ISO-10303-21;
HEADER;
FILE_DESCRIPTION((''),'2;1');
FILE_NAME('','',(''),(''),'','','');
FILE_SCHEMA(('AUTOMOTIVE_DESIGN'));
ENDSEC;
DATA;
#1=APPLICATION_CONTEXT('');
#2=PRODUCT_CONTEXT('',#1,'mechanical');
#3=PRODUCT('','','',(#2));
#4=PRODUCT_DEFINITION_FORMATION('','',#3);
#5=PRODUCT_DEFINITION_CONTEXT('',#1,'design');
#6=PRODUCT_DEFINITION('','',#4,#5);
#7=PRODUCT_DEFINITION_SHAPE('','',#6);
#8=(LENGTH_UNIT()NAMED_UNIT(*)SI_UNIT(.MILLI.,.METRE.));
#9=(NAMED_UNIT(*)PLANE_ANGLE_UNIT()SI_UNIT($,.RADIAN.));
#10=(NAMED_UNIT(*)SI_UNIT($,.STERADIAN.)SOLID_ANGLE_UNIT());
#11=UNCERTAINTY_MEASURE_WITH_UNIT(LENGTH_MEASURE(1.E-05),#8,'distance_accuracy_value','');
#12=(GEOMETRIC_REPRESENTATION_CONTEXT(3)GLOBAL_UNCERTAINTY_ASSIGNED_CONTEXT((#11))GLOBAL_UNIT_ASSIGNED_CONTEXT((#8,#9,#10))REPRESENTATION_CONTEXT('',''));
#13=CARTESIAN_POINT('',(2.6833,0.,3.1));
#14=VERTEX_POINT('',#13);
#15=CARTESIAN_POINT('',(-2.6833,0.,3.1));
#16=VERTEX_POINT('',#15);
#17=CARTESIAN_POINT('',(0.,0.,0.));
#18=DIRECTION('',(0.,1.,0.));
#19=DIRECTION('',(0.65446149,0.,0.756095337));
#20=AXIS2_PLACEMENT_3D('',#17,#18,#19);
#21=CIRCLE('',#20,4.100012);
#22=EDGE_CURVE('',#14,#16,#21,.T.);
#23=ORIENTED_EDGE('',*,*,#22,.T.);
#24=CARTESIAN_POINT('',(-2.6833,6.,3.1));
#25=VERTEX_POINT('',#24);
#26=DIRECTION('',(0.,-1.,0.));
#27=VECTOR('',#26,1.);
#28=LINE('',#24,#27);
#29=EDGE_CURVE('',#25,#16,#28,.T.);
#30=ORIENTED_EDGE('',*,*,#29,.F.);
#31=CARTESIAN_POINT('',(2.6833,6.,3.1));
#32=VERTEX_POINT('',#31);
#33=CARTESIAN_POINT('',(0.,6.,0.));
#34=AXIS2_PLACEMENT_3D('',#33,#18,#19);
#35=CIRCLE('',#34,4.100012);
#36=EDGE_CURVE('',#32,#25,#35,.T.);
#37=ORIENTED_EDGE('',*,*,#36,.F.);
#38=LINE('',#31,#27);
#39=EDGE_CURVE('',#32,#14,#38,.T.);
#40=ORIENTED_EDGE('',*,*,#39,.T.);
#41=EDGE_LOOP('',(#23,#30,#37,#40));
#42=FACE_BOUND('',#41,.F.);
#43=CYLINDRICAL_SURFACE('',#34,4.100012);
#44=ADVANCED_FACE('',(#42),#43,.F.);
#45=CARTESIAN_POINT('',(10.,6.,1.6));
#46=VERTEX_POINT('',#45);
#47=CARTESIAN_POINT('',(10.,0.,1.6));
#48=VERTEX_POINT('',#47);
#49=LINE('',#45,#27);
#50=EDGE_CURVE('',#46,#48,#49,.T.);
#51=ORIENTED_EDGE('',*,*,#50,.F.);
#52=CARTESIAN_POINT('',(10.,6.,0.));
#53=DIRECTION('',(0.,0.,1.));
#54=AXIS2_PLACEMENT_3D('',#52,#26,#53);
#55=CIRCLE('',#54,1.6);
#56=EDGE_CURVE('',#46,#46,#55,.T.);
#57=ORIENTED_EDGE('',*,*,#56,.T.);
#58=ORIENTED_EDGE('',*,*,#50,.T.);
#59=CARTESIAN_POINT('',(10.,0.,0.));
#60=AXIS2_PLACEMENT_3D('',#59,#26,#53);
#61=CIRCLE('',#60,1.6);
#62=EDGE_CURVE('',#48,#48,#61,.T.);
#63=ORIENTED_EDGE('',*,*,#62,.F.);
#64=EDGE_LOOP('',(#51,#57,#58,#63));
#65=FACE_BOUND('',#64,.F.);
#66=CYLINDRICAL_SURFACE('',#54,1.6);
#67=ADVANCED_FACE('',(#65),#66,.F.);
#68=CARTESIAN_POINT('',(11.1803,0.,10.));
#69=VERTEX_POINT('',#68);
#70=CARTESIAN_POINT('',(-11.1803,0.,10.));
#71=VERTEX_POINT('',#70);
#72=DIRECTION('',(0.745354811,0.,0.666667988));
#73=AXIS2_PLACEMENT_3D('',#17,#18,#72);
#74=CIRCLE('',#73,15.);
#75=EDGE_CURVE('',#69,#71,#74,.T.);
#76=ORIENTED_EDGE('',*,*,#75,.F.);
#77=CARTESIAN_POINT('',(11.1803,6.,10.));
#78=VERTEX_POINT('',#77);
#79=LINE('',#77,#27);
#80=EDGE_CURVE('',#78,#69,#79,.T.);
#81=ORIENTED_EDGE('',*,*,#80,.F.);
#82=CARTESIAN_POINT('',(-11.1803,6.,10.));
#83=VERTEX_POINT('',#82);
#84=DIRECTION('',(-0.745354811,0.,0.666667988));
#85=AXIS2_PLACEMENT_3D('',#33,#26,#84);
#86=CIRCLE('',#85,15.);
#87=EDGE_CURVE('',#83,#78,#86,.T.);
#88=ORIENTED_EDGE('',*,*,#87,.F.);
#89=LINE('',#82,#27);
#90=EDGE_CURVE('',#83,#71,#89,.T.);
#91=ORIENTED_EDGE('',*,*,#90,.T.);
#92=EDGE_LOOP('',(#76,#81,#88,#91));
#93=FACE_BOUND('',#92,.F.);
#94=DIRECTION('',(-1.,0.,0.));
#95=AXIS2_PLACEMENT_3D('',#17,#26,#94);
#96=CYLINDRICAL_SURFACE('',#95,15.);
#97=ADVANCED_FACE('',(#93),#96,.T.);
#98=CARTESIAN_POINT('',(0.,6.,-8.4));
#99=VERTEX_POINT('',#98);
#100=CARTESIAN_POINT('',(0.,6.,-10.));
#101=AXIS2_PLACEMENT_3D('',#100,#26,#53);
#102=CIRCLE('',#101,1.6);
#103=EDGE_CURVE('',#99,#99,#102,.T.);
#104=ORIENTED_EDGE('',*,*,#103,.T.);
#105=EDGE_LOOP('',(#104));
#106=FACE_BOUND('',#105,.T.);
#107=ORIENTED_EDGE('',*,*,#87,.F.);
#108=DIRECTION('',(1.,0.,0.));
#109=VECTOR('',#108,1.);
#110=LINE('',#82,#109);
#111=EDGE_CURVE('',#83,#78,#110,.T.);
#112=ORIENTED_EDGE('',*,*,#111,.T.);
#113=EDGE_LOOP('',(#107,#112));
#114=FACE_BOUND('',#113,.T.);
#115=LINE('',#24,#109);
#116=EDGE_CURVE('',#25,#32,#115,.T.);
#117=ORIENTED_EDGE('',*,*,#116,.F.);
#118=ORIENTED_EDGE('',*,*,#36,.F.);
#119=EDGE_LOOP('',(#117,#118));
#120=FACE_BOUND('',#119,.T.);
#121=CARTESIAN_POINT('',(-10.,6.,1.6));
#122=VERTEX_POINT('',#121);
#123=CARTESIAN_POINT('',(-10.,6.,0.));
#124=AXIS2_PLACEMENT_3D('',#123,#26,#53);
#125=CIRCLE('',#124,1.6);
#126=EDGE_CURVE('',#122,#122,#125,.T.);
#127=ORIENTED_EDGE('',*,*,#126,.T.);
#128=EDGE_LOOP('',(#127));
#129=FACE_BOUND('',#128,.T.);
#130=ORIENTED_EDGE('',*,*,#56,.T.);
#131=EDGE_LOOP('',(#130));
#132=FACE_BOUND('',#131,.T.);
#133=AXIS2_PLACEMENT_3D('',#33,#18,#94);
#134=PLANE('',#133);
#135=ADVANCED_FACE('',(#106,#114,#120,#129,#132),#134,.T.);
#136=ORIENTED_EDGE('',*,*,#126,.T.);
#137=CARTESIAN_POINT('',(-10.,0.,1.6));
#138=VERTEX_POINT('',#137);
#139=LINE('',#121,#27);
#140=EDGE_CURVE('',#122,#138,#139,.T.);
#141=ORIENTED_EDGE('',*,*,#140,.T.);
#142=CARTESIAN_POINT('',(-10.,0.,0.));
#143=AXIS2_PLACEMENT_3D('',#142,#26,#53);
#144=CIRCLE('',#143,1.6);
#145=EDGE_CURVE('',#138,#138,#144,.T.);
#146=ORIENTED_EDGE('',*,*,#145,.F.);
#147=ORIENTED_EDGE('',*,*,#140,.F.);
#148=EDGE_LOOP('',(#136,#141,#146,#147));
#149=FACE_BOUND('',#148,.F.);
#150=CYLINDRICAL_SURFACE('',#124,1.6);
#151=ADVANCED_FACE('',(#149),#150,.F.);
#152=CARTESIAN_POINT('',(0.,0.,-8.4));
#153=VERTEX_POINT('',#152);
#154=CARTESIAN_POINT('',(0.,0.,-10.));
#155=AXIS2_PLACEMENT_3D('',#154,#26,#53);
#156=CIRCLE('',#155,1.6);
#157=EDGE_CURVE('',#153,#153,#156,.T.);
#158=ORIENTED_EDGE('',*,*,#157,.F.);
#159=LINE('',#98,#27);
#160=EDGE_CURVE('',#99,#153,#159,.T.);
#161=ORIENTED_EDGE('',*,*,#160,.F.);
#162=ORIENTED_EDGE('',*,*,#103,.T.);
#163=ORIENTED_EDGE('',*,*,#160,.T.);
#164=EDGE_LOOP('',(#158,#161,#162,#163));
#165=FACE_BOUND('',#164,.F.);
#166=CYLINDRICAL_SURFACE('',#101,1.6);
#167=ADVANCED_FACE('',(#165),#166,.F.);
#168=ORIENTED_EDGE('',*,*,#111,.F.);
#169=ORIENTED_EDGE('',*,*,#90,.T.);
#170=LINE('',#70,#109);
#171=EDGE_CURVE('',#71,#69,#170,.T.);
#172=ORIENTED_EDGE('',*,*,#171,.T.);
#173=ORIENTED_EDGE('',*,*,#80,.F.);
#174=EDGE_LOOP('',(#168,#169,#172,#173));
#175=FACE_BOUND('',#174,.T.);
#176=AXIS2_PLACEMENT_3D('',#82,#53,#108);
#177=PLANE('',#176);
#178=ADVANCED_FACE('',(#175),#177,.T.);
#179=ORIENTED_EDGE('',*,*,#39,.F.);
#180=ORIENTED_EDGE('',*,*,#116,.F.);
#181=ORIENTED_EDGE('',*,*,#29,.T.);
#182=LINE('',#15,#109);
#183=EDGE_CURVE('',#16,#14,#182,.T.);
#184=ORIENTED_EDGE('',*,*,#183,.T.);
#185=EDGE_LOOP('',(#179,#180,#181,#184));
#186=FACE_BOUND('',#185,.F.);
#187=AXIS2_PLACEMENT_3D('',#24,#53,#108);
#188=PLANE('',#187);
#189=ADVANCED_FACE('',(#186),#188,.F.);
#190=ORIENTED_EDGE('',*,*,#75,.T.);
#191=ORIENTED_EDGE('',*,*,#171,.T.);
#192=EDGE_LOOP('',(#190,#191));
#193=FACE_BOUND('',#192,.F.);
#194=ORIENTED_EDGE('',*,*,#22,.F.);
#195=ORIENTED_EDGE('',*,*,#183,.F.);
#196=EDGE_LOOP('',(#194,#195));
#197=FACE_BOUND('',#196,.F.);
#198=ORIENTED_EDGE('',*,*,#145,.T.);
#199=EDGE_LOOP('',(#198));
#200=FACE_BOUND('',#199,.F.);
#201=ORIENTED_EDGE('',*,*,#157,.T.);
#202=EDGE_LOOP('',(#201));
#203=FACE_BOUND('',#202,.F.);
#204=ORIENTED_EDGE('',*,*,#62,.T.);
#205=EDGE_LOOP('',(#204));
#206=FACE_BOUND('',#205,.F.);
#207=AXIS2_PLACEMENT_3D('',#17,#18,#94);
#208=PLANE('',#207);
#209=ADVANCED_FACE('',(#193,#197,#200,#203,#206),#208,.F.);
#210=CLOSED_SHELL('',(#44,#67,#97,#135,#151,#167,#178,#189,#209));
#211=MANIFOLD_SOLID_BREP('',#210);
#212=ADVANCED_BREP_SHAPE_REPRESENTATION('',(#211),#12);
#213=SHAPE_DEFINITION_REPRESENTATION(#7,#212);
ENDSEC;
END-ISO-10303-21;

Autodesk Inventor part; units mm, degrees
ref_plane "YZ Plane" through (0, 0, 0) normal (1, 0, 0) x (0, 1, 0)
ref_plane "XZ Plane" through (0, 0, 0) normal (0, 1, 0) x (-1, 0, 0)
ref_plane "XY Plane" through (0, 0, 0) normal (0, 0, 1) x (1, 0, 0)
sketch "スケッチ1" plane through (0, 0, 0) normal (0, 1, 0) x (-1, 0, 0)
  circle A0 centre (0, 0) radius 15
  dimension "d0" = 30
extrude "押し出し1" add sketch "スケッチ1" along normal blind 6
sketch "スケッチ2" plane through (0, 6, 0) normal (0, 1, 0) x (1, 0, 0)
  arc A0 (2.6833, -3.1) -> (-2.6833, -3.1) centre (0, 0) ccw
  line L0 (-2.6833, -3.1) -> (2.6833, -3.1)
  point P0 (0, -3.1)
  dimension "d3" = 8.2
  dimension "d4" = 3.1
extrude "押し出し2" cut sketch "スケッチ2" against normal blind 6
sketch "スケッチ3" plane through (0, 6, 0) normal (0, 1, 0) x (1, 0, 0)
  circle A0 centre (0, 0) radius 15 projected
  circle A1 centre (0, 0) radius 15 projected
  line L0 (-11.1803, -10) -> (11.1803, -10)
  arc A2 (-11.1803, -10) -> (11.1803, -10) centre (0, 0) ccw
  point P0 (0, -10)
  dimension "d7" = 10
extrude "押し出し3" cut sketch "スケッチ3" against normal blind 6 contours L0 A0 picked at (2.8264, -10.7912)
sketch "スケッチ4" plane through (0, 6, 0) normal (0, 1, 0) x (1, 0, 0)
  circle A0 centre (0, 0) radius 10 construction
  point P0 (-10, 0)
  point P1 (0, 10)
  point P2 (10, 0)
  dimension "d10" = 20
hole "穴1" at (-10, 6, 0) at (0, 6, -10) at (10, 6, 0) direction (0, -1, 0) diameter 3.2 end through all
properties part number "射出_留め具1"
